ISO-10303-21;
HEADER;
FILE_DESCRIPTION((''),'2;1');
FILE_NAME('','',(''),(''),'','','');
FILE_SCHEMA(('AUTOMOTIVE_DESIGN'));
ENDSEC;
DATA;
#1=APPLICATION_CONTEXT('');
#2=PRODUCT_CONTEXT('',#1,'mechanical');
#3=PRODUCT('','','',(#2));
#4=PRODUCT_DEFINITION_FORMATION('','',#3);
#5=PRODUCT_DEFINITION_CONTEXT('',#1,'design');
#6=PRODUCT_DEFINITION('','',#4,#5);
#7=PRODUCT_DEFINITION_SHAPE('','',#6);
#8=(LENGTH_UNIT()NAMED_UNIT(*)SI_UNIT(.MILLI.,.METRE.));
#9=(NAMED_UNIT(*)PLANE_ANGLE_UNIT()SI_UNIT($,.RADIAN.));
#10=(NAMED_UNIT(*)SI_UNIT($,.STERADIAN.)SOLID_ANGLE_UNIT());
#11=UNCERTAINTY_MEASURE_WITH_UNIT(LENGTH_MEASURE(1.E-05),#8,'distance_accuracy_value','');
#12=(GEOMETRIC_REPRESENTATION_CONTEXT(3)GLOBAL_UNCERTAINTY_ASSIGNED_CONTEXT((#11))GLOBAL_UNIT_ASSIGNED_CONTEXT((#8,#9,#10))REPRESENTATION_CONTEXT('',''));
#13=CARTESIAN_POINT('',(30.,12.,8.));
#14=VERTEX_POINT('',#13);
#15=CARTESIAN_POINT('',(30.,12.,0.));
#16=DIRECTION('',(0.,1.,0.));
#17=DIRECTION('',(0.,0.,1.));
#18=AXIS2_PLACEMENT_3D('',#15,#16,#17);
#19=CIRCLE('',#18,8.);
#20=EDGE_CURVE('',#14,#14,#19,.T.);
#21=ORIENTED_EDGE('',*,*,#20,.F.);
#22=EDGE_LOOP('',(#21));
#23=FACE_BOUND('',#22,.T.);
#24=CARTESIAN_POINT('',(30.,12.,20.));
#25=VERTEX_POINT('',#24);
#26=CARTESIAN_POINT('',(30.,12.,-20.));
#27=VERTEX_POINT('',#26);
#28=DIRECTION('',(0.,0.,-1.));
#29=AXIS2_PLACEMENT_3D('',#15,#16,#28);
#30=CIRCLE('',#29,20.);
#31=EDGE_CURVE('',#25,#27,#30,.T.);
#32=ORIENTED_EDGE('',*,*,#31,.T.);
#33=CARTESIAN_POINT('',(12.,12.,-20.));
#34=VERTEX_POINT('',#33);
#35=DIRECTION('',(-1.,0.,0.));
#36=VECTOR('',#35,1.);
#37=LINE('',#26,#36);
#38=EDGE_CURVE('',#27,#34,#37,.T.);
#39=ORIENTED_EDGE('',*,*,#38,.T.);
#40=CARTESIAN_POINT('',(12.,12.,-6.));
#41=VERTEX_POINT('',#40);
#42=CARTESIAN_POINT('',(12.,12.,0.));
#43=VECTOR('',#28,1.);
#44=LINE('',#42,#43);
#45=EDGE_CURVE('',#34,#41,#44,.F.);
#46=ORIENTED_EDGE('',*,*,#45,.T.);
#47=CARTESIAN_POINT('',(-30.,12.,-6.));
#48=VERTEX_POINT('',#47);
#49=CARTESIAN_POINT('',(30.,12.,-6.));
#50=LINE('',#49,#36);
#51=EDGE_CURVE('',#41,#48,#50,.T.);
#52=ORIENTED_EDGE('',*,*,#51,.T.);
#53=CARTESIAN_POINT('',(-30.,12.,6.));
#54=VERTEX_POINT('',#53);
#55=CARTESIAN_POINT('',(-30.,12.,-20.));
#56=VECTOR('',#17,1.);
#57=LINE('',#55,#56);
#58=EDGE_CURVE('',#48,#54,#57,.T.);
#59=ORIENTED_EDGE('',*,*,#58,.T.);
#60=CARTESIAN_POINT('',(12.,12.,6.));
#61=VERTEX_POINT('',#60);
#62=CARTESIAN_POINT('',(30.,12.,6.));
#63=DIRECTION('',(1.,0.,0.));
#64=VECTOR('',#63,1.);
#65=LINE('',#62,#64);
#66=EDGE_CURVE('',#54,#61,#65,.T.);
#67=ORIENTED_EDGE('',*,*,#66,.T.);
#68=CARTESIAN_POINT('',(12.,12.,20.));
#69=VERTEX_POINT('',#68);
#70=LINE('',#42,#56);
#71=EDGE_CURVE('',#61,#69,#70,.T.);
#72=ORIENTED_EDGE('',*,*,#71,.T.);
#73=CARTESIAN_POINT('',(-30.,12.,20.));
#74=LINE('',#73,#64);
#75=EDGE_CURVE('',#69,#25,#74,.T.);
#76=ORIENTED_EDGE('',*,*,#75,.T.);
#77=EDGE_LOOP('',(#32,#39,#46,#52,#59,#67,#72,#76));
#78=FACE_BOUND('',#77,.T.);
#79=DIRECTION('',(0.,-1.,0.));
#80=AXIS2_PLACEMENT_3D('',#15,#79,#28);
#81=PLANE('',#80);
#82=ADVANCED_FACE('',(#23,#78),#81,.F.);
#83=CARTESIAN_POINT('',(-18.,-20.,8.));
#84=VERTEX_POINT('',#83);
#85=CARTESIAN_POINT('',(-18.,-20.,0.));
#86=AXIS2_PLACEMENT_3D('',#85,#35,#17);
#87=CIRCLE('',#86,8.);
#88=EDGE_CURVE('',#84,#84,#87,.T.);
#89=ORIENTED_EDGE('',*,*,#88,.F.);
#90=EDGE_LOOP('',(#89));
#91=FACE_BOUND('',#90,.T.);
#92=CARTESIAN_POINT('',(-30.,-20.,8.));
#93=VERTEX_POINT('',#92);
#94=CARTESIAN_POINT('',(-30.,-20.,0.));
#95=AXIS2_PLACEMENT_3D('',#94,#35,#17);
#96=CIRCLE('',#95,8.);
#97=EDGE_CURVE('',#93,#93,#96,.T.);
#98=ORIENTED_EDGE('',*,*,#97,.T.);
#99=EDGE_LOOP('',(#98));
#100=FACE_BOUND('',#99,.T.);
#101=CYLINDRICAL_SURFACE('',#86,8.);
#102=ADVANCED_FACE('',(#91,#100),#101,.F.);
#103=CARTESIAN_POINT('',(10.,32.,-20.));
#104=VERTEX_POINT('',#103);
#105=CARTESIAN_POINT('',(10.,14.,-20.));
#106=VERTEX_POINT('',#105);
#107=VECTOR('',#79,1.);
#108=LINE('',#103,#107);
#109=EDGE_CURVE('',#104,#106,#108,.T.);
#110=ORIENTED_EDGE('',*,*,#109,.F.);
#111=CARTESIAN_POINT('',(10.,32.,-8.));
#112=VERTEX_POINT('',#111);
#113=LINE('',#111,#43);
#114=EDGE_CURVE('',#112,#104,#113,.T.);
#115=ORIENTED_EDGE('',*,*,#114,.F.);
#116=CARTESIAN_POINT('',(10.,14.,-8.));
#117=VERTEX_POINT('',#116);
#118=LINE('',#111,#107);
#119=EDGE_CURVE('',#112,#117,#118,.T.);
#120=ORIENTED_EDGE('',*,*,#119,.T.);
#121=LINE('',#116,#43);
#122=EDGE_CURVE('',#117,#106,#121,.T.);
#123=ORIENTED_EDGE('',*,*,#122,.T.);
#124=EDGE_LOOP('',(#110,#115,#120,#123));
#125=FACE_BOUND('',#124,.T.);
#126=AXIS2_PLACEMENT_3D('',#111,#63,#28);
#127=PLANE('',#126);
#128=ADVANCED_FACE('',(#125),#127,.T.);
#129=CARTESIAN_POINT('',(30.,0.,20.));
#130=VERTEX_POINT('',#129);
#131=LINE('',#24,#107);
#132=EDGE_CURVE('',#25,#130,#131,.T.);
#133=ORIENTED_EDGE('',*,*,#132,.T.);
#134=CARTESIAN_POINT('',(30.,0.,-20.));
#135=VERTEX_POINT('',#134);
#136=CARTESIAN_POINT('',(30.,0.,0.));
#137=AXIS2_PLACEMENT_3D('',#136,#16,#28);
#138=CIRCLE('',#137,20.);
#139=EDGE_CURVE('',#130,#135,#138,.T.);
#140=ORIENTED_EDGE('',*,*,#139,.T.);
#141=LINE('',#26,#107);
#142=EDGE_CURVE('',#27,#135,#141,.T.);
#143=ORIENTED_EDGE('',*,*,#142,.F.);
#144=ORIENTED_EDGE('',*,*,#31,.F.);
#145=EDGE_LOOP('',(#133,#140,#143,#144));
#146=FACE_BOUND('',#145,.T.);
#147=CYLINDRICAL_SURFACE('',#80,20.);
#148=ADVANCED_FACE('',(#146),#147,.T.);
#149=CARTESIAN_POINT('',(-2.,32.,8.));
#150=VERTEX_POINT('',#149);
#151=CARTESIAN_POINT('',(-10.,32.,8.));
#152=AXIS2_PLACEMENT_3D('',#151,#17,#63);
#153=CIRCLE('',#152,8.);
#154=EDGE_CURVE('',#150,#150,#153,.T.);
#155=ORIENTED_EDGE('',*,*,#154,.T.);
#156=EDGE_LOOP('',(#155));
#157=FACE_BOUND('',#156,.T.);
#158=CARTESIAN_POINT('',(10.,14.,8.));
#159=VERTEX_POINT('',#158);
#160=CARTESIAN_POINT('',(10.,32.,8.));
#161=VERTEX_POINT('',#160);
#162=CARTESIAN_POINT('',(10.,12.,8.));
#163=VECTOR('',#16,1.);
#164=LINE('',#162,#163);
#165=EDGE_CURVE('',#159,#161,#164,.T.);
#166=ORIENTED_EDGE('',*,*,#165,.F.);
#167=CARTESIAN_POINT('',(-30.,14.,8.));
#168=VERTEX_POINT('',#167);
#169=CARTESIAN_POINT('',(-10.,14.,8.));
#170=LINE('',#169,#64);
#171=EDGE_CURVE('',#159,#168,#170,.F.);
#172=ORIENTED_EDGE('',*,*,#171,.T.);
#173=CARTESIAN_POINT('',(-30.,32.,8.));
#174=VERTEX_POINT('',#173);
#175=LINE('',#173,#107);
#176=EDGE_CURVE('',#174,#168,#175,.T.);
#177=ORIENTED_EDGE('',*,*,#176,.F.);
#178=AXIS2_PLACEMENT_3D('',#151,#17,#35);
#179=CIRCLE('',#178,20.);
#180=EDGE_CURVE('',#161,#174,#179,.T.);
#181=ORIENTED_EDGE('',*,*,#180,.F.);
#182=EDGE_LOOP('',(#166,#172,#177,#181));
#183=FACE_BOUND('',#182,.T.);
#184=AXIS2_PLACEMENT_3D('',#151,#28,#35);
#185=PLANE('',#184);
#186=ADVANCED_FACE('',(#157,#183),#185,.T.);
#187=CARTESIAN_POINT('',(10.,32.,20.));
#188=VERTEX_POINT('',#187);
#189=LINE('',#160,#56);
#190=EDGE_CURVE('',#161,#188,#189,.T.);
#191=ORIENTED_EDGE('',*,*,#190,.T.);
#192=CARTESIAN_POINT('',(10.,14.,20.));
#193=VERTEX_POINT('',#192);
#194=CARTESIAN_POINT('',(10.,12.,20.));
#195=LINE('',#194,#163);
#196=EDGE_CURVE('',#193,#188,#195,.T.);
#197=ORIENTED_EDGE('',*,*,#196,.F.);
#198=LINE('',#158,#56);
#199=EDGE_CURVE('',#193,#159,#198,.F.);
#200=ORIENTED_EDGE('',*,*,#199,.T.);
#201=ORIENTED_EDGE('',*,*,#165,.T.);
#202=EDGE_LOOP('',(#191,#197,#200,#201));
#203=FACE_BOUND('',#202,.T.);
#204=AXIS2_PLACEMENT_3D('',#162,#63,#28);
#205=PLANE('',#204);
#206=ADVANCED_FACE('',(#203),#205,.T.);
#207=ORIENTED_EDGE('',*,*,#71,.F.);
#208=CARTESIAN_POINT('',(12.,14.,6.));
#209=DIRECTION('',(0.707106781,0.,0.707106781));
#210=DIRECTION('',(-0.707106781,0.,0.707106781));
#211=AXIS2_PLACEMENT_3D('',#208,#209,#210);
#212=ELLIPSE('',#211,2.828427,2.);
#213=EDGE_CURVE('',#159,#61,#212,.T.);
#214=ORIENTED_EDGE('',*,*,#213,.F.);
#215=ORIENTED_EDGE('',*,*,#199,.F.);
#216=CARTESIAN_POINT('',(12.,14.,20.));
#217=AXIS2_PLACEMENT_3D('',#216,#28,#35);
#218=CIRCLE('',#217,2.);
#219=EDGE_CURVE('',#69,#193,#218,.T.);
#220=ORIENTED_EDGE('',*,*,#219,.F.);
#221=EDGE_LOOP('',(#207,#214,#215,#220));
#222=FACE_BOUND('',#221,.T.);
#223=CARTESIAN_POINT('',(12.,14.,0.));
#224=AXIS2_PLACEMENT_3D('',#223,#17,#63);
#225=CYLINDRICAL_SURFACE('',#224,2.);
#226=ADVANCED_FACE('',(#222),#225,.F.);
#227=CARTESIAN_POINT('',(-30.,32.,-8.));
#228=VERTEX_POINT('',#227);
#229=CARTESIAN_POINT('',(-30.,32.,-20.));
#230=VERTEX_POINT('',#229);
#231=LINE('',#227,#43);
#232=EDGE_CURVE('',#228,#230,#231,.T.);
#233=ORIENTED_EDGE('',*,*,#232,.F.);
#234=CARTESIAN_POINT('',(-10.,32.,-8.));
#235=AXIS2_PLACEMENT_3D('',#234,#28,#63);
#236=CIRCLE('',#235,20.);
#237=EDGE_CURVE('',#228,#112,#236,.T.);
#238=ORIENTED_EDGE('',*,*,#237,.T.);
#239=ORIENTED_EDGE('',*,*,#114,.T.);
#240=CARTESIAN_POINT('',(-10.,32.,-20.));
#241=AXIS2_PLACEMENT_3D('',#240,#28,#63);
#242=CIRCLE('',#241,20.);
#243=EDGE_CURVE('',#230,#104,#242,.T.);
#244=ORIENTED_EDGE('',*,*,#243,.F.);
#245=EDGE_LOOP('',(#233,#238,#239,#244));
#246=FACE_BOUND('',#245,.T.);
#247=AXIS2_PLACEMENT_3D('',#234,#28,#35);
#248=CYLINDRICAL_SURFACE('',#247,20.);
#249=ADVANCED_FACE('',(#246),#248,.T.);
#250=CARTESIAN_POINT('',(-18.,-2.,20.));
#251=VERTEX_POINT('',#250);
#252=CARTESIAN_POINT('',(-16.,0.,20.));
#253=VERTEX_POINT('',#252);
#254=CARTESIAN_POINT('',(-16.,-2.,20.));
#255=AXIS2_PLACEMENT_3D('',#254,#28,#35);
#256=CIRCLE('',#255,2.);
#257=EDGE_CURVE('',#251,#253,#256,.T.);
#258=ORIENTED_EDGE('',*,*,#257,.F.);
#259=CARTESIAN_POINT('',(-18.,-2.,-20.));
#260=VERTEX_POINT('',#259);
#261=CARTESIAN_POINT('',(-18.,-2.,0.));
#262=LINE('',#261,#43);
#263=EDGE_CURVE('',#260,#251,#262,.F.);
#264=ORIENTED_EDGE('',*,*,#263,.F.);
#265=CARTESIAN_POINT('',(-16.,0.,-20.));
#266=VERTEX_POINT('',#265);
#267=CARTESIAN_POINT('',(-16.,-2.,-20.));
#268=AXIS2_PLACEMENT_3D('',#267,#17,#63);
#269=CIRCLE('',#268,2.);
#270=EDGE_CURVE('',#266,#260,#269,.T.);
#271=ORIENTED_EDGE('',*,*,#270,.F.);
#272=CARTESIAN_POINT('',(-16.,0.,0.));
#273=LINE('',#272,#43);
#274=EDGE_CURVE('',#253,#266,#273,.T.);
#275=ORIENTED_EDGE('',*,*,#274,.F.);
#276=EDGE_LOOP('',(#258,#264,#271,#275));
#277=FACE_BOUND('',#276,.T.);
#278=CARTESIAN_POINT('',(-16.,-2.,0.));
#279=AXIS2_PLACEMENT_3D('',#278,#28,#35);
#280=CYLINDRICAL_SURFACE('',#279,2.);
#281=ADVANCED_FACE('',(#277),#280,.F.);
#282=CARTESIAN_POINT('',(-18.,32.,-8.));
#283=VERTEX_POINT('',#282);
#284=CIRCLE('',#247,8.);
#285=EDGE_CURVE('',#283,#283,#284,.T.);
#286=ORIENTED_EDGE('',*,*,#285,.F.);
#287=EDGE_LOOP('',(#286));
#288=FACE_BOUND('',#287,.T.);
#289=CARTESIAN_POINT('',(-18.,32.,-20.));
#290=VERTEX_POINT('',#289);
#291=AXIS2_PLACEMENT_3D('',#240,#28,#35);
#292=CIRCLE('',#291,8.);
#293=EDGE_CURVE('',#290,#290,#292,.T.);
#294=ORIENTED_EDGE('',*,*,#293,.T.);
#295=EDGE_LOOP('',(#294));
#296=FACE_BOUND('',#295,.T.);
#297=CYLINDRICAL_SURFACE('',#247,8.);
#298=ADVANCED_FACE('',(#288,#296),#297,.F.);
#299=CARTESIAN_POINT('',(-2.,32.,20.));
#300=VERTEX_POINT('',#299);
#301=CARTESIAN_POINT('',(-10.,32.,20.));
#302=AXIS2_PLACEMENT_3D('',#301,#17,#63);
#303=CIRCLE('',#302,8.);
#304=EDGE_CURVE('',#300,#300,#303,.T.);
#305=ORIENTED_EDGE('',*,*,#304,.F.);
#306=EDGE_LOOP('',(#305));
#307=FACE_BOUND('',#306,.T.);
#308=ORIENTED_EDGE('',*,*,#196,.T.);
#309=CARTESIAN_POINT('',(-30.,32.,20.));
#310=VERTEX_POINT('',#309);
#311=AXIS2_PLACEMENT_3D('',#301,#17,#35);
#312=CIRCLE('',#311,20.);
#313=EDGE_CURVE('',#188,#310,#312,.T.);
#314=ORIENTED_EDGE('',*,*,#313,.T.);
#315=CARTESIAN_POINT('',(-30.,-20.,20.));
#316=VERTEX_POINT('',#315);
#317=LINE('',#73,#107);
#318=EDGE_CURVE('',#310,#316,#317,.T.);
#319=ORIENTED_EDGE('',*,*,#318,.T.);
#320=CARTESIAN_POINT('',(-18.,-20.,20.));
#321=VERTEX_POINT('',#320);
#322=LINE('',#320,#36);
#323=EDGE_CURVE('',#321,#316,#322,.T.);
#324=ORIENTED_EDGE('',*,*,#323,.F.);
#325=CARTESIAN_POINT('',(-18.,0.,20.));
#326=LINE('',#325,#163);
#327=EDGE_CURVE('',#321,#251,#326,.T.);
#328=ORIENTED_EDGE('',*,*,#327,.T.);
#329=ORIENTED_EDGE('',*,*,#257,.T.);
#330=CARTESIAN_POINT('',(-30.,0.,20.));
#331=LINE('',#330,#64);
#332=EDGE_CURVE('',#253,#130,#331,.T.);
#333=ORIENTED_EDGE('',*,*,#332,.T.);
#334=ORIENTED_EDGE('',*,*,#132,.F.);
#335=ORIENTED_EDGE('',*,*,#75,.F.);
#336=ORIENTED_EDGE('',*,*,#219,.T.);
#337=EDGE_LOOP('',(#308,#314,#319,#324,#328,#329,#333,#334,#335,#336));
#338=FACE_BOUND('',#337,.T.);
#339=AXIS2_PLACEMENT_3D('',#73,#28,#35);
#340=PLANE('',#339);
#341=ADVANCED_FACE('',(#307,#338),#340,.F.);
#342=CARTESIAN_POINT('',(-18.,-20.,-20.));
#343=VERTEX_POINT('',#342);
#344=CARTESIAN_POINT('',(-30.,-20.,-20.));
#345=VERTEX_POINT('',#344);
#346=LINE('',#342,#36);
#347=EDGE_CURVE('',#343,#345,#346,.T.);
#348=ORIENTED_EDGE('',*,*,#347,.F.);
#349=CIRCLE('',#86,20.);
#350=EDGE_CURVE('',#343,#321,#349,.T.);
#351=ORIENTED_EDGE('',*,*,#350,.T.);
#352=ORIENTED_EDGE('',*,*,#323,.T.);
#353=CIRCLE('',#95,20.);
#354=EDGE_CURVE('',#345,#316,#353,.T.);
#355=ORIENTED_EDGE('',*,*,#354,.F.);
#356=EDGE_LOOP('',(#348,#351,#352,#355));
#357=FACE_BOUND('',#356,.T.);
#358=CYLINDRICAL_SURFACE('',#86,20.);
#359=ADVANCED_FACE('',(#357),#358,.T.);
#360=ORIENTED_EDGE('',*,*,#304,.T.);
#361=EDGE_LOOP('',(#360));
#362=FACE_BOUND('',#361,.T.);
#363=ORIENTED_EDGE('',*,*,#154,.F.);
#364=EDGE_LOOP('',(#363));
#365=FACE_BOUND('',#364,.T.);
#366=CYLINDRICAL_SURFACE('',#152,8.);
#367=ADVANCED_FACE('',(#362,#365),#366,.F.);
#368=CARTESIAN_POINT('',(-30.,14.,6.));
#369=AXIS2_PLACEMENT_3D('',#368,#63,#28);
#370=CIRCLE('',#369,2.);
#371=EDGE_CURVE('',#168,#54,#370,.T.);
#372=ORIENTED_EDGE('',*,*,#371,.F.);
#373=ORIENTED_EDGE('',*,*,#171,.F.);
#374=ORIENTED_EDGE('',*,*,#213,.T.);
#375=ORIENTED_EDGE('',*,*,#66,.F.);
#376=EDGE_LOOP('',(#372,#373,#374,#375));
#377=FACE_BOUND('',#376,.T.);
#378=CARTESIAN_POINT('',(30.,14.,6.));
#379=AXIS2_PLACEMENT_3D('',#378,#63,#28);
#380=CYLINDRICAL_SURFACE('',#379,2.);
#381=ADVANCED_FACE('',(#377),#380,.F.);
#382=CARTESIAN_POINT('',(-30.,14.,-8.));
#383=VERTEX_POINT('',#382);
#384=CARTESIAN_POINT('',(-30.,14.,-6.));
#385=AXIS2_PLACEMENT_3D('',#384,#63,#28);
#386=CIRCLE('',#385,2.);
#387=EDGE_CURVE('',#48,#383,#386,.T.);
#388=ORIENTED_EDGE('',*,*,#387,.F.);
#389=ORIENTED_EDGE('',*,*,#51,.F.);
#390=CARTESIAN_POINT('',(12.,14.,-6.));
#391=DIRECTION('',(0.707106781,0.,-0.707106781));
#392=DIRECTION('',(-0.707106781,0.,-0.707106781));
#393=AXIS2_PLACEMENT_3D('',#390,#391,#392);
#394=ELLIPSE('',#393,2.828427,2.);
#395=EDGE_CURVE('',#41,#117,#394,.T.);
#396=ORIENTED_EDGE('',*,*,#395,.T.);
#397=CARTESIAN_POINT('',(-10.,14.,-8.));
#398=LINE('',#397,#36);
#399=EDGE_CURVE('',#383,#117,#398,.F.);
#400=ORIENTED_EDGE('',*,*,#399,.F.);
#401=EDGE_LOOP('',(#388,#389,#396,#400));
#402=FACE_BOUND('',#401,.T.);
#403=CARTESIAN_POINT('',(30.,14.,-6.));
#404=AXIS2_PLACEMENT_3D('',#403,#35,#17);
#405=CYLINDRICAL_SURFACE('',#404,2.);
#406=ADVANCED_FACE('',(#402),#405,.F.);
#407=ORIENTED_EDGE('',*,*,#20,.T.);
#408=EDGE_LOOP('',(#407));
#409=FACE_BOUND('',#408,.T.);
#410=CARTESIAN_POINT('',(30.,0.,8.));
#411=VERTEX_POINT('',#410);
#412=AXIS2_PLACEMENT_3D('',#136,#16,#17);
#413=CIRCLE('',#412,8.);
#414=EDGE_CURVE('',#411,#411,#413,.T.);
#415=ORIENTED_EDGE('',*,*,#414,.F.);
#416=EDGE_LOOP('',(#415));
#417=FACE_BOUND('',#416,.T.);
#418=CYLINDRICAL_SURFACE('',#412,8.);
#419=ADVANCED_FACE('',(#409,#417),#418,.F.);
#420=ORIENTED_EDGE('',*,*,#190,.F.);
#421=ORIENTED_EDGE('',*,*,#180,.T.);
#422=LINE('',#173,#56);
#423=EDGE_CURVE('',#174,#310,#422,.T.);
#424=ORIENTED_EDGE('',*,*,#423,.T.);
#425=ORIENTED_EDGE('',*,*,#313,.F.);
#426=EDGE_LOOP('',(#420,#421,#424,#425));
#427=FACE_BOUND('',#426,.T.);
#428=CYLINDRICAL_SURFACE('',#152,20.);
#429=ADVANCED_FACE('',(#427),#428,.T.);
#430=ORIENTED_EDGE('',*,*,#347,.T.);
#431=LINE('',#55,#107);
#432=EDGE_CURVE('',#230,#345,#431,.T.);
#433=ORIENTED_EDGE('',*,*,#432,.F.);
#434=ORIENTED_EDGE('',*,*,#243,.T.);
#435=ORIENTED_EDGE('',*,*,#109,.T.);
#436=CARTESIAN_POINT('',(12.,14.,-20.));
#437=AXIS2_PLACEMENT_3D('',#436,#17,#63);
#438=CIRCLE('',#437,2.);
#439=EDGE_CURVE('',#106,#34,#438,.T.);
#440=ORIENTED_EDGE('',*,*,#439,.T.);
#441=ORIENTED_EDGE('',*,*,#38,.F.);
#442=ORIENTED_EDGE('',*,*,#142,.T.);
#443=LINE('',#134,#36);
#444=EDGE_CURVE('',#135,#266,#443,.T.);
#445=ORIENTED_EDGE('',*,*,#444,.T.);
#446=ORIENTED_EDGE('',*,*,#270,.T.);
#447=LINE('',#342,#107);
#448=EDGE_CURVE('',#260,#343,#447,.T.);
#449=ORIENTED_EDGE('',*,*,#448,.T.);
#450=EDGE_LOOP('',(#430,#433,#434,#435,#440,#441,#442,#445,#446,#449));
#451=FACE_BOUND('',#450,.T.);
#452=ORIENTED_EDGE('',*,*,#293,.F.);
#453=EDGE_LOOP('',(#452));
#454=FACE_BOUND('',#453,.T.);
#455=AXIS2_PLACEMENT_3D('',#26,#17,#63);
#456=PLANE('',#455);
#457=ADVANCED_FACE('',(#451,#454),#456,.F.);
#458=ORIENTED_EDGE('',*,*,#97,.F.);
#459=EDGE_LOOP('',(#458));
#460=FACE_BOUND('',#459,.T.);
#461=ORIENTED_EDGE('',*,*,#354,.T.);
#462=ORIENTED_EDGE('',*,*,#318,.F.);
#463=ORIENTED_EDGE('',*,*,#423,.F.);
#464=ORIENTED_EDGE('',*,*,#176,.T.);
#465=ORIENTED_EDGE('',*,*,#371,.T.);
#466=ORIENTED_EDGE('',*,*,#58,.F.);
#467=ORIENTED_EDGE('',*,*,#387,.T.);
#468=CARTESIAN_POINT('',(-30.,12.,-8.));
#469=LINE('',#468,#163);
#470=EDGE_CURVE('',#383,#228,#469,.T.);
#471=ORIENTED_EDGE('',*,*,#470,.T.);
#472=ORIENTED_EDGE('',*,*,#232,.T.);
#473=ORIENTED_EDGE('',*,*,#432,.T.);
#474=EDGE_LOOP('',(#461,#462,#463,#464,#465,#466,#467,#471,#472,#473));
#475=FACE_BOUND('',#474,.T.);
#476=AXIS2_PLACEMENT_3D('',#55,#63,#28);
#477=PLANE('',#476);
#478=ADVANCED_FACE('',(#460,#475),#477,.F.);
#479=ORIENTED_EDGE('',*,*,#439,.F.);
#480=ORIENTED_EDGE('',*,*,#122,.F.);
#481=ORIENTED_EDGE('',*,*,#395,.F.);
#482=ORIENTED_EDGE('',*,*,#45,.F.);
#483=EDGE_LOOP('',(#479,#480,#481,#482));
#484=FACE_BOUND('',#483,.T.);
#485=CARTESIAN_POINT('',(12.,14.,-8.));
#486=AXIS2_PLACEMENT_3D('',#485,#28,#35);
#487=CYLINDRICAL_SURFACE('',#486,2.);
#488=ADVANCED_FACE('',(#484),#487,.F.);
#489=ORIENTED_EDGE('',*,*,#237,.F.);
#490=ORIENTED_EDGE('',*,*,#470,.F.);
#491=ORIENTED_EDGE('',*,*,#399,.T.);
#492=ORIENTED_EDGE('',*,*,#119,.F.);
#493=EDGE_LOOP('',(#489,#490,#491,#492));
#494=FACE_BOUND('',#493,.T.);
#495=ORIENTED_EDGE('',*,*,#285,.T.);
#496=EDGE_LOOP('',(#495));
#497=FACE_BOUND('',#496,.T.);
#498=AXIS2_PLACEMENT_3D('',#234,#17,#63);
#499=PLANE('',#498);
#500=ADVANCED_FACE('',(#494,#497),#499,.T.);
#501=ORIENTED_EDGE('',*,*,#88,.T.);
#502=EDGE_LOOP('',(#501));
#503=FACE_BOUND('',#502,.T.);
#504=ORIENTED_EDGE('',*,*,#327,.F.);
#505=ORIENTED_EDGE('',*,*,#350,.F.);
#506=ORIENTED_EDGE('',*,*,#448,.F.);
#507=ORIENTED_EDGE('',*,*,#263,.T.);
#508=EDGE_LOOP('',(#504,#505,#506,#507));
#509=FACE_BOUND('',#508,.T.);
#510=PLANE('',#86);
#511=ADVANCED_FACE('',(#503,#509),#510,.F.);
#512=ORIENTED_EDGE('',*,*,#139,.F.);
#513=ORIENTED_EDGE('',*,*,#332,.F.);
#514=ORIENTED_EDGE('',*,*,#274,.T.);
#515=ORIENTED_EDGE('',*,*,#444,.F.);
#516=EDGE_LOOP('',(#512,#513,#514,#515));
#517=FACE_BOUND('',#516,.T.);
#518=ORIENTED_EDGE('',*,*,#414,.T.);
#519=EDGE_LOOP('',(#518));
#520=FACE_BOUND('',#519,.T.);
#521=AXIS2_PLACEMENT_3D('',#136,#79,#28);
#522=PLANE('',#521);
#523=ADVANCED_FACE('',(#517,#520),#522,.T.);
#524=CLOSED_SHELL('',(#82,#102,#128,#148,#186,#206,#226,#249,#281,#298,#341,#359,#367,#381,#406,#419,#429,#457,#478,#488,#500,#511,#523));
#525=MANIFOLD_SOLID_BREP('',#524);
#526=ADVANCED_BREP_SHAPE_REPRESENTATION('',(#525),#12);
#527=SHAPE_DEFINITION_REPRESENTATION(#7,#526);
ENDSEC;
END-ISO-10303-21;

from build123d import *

# Parameters (mm, degrees)
BOSS_EXTRUDE1_DEPTH = 12
SKETCH2_R           = 8
CUT_EXTRUDE1_DEPTH  = 56.172456897
SKETCH3_R           = 8
BOSS_EXTRUDE2_DEPTH = 12
BOSS_EXTRUDE3_START = -12
SKETCH4_R           = 8
BOSS_EXTRUDE3_DEPTH = 12
SKETCH5_R           = 8
BOSS_EXTRUDE4_DEPTH = 12
FILLET1_R           = 2


with BuildPart() as part:
    # Sketch1 → Boss-Extrude1 (new body)
    with BuildSketch(Plane(origin=(0, 0, 0), x_dir=(1, 0, 0), z_dir=(0, 1, 0))):
        with BuildLine():
            Line((-30, 20), (-30, -20))
            Line((-30, -20), (30, -20))
            ThreePointArc((30, -20), (50, 0), (30, 20))
            Line((30, 20), (-30, 20))
        make_face()
    extrude(amount=BOSS_EXTRUDE1_DEPTH)

    # Sketch2 → Cut-Extrude1 (cut, through all)
    with BuildSketch(Plane(origin=(0, 12, 0), x_dir=(1, 0, 0), z_dir=(0, 1, 0))):
        with Locations(Location((30, 0, 0), (0, 0, 270))):
            Circle(SKETCH2_R)
    extrude(amount=-CUT_EXTRUDE1_DEPTH, mode=Mode.SUBTRACT)

    # Sketch3 → Boss-Extrude2 (add)
    with BuildSketch(Plane.XY.offset(20)):
        with BuildLine():
            Line((-30, 32), (-30, 12))
            Line((-30, 12), (10, 12))
            Line((10, 12), (10, 32))
            ThreePointArc((10, 32), (-10, 52), (-30, 32))
        make_face()
        with Locations((-10, 32)):
            Circle(SKETCH3_R, mode=Mode.SUBTRACT)
    extrude(amount=-BOSS_EXTRUDE2_DEPTH)

    # Sketch4 → Boss-Extrude3 (add)
    with BuildSketch(Plane(origin=(0, 0, -20), x_dir=(-1, 0, 0), z_dir=(0, 0, -1)).offset(BOSS_EXTRUDE3_START)):
        with BuildLine():
            Line((-10, 32), (-10, 12))
            Line((-10, 12), (30, 12))
            Line((30, 12), (30, 32))
            ThreePointArc((30, 32), (10, 52), (-10, 32))
        make_face()
        with Locations(Location((10, 32, 0), (0, 0, 180))):
            Circle(SKETCH4_R, mode=Mode.SUBTRACT)
    extrude(amount=BOSS_EXTRUDE3_DEPTH)

    # Sketch5 → Boss-Extrude4 (add)
    with BuildSketch(Plane.ZY.offset(30)):
        with BuildLine():
            Line((-20, -20), (-20, 0))
            Line((-20, 0), (20, 0))
            Line((20, 0), (20, -20))
            ThreePointArc((20, -20), (0, -40), (-20, -20))
        make_face()
        with Locations((0, -20)):
            Circle(SKETCH5_R, mode=Mode.SUBTRACT)
    extrude(amount=-BOSS_EXTRUDE4_DEPTH)

    # Fillet1
    fillet1_edges = [part.edges().sort_by_distance(p)[0] for p in [
        (-10, 12, 8),
        (10, 12, 14),
        (-10, 12, -8),
        (10, 12, -14),
        (-18, 0, 0),
    ]]
    fillet(fillet1_edges, radius=FILLET1_R)


solid = part.part
